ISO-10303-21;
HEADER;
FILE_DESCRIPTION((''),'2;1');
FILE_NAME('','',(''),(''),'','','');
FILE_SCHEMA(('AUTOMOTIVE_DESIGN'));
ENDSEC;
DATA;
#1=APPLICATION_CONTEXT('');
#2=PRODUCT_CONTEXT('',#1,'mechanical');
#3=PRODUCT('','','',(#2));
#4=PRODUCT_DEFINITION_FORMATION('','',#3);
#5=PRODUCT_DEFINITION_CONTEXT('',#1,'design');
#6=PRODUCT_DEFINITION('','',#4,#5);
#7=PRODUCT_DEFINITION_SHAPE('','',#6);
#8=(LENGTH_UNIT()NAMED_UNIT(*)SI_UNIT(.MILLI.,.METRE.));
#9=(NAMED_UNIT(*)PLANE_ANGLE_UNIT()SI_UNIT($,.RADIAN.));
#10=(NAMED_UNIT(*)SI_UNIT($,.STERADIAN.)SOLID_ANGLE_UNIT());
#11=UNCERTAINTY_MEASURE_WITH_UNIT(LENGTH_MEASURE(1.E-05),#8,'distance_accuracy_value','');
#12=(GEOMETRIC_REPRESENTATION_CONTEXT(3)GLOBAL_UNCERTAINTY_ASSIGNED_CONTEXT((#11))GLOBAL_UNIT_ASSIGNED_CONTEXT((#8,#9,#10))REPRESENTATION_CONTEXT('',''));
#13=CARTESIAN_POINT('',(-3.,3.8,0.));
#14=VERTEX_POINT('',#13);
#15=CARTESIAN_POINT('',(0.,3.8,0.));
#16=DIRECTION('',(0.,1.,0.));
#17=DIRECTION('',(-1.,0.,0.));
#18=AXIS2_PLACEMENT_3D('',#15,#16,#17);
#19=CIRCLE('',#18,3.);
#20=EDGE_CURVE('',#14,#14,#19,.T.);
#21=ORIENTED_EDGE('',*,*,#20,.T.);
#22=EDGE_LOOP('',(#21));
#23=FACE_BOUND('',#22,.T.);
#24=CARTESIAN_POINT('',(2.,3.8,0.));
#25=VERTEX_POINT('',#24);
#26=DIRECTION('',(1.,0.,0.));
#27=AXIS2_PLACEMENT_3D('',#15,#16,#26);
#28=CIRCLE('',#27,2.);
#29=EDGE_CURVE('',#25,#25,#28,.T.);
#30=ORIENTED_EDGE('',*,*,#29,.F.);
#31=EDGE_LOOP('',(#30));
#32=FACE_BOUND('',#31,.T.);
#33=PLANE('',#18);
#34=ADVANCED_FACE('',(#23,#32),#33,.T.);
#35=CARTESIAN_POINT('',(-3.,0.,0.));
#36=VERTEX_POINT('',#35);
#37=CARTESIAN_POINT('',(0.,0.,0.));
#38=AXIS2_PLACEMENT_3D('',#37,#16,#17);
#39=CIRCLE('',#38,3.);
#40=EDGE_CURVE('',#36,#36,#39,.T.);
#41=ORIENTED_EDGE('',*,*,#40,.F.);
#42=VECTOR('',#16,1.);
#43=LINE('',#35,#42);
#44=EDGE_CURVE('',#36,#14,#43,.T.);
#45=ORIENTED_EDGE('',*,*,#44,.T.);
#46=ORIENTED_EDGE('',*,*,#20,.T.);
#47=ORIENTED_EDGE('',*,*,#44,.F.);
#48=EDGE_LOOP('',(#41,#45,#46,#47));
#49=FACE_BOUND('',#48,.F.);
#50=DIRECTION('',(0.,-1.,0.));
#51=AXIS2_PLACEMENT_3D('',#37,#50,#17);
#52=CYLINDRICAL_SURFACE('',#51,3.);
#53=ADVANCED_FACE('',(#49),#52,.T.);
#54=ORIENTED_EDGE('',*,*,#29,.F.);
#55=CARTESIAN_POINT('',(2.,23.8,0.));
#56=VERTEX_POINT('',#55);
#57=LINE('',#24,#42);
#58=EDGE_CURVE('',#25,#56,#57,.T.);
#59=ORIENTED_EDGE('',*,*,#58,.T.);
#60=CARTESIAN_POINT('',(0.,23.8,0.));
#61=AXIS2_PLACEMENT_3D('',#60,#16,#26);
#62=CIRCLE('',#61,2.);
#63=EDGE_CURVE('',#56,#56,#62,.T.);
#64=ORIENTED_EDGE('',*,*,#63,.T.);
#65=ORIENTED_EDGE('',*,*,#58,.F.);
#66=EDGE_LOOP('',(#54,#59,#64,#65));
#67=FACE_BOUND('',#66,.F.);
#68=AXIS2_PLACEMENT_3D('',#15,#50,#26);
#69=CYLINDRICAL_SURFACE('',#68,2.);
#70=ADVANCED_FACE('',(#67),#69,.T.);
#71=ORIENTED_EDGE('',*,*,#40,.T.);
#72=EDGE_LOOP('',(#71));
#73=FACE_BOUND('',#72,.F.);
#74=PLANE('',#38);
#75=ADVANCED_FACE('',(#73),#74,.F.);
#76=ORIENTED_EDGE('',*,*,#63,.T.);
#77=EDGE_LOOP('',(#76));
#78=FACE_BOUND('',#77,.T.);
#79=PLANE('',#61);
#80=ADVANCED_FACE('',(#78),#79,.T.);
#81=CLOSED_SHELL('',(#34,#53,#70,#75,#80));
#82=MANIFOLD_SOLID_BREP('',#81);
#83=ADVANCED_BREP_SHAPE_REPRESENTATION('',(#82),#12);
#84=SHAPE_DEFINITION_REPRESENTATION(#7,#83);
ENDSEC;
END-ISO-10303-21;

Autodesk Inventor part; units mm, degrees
ref_plane "YZ Plane" through (0, 0, 0) normal (1, 0, 0) x (0, 1, 0)
ref_plane "XZ Plane" through (0, 0, 0) normal (0, 1, 0) x (-1, 0, 0)
ref_plane "XY Plane" through (0, 0, 0) normal (0, 0, 1) x (1, 0, 0)
sketch "Sketch1" plane through (0, 0, 0) normal (0, 1, 0) x (-1, 0, 0)
  circle A0 centre (0, 0) radius 3
  dimension "d0" = 6
extrude "Extrusion1" add sketch "Sketch1" along normal blind 3.8
sketch "Sketch2" plane through (0, 3.8, 0) normal (0, 1, 0) x (1, 0, 0)
  circle A0 centre (0, 0) radius 2
  dimension "d3" = 4
extrude "Extrusion2" add sketch "Sketch2" along normal blind 20
properties part number "Four(mm)Screw"
